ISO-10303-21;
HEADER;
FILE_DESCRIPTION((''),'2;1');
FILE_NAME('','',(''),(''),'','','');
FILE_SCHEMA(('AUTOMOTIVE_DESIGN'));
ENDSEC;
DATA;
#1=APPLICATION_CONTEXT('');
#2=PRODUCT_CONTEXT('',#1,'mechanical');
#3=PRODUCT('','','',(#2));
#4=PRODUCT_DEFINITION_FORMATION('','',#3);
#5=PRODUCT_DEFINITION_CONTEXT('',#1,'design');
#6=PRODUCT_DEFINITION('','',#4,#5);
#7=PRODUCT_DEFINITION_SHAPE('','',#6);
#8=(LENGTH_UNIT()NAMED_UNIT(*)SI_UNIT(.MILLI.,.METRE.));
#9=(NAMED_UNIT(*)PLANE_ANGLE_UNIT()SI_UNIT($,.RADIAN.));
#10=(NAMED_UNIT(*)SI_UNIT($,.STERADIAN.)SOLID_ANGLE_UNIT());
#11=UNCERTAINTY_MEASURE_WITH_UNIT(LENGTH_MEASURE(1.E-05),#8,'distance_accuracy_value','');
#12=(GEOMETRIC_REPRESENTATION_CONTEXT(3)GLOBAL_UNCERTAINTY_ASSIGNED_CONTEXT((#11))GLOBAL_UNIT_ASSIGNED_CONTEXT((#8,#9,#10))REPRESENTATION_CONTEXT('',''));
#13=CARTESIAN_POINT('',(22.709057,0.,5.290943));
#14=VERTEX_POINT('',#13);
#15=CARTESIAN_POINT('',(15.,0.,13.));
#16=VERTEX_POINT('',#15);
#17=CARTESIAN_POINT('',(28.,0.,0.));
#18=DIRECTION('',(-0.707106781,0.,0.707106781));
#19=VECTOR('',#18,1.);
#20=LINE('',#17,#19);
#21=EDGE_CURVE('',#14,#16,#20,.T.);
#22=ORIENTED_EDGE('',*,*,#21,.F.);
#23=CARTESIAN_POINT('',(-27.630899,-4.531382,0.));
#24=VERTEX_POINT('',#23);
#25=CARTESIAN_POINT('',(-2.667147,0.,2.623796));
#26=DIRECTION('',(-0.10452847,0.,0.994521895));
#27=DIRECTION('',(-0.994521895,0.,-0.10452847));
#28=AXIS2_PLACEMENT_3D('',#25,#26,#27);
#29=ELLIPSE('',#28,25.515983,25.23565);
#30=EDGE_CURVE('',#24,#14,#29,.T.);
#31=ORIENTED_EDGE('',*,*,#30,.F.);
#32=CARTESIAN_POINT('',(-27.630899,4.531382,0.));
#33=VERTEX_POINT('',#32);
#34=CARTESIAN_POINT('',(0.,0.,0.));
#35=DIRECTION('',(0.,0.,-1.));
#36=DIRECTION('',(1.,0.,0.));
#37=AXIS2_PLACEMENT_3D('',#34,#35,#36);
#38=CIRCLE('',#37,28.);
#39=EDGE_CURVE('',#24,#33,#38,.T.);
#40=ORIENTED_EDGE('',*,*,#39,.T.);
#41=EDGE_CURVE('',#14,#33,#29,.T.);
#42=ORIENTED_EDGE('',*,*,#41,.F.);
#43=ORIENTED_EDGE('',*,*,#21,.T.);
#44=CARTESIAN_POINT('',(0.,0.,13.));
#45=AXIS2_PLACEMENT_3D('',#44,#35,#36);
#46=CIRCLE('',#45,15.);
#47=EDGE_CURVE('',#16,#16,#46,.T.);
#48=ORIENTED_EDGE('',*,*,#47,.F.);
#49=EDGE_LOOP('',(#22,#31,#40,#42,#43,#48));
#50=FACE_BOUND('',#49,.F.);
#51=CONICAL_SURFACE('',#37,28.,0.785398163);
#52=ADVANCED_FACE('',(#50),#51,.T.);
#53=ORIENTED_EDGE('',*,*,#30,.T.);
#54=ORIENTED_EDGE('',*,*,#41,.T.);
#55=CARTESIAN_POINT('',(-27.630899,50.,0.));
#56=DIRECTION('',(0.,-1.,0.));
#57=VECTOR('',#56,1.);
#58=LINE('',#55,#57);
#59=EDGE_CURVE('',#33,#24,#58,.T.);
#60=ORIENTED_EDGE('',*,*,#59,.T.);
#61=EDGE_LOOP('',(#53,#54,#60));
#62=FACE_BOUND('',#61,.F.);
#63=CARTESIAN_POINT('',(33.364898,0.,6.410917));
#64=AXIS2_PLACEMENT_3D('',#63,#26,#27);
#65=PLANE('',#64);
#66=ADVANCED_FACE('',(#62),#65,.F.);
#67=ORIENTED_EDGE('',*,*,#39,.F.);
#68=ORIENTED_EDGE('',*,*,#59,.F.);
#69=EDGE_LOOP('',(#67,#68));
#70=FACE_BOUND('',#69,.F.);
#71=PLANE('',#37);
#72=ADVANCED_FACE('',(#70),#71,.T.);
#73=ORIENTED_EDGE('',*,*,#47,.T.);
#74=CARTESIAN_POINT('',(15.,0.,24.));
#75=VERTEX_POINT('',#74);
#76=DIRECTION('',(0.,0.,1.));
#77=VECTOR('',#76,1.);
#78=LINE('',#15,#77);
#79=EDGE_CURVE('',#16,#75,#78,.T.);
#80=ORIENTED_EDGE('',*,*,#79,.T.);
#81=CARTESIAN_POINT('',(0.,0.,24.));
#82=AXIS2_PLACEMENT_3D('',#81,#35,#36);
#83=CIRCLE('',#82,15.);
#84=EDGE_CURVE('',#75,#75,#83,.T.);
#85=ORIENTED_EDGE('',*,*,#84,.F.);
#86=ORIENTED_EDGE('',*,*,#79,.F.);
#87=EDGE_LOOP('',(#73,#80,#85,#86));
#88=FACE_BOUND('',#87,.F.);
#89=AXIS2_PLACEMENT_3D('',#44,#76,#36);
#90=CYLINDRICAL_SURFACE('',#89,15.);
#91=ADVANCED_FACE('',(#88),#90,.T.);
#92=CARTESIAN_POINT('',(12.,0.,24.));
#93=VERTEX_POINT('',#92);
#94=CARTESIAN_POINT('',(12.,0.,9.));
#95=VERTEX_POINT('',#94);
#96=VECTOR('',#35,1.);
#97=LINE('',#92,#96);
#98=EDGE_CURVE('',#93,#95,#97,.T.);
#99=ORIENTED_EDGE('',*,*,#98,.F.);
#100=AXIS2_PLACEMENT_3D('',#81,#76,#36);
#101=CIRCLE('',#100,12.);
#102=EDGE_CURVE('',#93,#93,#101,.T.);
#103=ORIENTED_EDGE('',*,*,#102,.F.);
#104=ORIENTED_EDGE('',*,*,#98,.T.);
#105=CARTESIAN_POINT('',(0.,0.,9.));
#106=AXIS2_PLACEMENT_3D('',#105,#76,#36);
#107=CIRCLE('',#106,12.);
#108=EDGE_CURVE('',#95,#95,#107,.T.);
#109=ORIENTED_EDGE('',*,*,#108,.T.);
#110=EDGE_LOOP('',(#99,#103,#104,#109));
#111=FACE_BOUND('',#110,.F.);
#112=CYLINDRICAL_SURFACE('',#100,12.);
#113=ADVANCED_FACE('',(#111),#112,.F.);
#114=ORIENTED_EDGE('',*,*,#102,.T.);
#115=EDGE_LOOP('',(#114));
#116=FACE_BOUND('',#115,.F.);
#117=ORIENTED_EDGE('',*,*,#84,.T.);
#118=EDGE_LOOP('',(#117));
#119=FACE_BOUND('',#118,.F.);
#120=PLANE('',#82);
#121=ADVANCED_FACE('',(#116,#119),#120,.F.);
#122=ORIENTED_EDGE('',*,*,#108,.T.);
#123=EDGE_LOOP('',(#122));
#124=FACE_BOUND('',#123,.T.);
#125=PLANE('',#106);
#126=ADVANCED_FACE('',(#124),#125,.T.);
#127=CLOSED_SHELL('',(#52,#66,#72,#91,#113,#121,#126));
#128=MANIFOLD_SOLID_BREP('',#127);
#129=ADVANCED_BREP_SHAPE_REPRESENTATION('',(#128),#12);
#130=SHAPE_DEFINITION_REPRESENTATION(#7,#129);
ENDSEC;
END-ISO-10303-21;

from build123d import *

# Parameters (mm, degrees)
F2_R     = 12
F3_DEPTH = 15
F5_DEPTH = 50


with BuildPart() as f1:
    # F0 (on Front) → F1 (revolve)
    with BuildSketch(Plane.XZ):
        Polygon((0, 24), (0, 0), (28, 0), (15, 13), (15, 24), align=None)
    revolve(axis=Axis((0, 0, 12), (0, 0, -1)))

    # F2 (on face) → F3 (cut)
    with BuildSketch(Plane.XY.offset(24)):
        Circle(F2_R)
    extrude(amount=-F3_DEPTH, mode=Mode.SUBTRACT)

    # F4 (on Front) → F5 (cut, symmetric)
    with BuildSketch(Plane.XZ):
        Polygon((33.364898, 6.410917), (-27.630899, 0), (33.364898, 0), align=None)
    extrude(amount=F5_DEPTH, both=True, mode=Mode.SUBTRACT)


solid = f1.part
